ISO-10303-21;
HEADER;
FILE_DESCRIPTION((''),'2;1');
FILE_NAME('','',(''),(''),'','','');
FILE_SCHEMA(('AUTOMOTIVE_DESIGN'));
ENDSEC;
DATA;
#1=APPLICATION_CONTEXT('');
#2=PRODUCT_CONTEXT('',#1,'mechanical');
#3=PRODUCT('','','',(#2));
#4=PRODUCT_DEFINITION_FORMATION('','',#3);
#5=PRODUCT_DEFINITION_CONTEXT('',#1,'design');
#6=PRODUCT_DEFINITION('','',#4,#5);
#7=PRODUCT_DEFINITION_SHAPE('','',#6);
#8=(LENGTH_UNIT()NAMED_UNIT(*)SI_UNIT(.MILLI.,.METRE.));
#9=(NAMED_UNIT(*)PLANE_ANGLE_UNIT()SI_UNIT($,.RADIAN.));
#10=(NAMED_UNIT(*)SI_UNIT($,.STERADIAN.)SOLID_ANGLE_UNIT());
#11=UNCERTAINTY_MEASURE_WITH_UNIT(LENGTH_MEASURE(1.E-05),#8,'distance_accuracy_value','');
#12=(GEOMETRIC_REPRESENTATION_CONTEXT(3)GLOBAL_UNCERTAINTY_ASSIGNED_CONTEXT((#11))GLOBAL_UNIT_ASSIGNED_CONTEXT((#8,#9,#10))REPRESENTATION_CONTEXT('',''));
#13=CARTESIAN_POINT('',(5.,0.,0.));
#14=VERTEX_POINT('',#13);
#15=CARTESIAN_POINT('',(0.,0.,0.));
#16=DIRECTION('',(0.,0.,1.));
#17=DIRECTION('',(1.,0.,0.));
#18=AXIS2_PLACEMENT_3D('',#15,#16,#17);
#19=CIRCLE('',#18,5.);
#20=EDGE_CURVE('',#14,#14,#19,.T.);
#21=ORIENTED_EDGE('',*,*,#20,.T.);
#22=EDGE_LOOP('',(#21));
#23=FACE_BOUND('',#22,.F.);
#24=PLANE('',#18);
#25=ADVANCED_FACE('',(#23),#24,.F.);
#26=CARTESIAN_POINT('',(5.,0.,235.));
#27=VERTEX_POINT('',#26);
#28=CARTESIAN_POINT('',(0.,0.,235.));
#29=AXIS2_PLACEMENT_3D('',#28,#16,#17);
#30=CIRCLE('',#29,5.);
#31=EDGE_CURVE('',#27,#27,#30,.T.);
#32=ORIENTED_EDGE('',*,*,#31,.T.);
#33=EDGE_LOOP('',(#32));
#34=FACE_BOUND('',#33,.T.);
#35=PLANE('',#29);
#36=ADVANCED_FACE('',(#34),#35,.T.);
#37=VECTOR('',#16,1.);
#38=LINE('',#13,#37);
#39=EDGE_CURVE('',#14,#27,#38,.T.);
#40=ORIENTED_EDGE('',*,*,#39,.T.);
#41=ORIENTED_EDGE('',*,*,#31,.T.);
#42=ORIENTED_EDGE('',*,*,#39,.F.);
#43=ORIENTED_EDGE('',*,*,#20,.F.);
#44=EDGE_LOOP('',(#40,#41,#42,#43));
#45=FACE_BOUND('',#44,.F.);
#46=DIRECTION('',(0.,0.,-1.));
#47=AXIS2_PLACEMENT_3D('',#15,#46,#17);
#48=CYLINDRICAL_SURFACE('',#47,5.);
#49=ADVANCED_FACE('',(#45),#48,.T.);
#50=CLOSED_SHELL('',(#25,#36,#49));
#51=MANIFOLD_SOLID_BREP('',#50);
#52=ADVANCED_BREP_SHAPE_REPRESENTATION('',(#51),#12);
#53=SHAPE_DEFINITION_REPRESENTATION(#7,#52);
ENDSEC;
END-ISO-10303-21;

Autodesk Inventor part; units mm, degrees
ref_plane "YZ Plane" through (0, 0, 0) normal (1, 0, 0) x (0, 1, 0)
ref_plane "XZ Plane" through (0, 0, 0) normal (0, 1, 0) x (-1, 0, 0)
ref_plane "XY Plane" through (0, 0, 0) normal (0, 0, 1) x (1, 0, 0)
sketch "Sketch1" plane through (0, 0, 0) normal (0, 0, 1) x (1, 0, 0)
  circle A0 centre (0, 0) radius 5
  dimension "d0" = 10
extrude "Extrusion1" add sketch "Sketch1" along normal blind 235
properties part number "LI0004-ROD"
